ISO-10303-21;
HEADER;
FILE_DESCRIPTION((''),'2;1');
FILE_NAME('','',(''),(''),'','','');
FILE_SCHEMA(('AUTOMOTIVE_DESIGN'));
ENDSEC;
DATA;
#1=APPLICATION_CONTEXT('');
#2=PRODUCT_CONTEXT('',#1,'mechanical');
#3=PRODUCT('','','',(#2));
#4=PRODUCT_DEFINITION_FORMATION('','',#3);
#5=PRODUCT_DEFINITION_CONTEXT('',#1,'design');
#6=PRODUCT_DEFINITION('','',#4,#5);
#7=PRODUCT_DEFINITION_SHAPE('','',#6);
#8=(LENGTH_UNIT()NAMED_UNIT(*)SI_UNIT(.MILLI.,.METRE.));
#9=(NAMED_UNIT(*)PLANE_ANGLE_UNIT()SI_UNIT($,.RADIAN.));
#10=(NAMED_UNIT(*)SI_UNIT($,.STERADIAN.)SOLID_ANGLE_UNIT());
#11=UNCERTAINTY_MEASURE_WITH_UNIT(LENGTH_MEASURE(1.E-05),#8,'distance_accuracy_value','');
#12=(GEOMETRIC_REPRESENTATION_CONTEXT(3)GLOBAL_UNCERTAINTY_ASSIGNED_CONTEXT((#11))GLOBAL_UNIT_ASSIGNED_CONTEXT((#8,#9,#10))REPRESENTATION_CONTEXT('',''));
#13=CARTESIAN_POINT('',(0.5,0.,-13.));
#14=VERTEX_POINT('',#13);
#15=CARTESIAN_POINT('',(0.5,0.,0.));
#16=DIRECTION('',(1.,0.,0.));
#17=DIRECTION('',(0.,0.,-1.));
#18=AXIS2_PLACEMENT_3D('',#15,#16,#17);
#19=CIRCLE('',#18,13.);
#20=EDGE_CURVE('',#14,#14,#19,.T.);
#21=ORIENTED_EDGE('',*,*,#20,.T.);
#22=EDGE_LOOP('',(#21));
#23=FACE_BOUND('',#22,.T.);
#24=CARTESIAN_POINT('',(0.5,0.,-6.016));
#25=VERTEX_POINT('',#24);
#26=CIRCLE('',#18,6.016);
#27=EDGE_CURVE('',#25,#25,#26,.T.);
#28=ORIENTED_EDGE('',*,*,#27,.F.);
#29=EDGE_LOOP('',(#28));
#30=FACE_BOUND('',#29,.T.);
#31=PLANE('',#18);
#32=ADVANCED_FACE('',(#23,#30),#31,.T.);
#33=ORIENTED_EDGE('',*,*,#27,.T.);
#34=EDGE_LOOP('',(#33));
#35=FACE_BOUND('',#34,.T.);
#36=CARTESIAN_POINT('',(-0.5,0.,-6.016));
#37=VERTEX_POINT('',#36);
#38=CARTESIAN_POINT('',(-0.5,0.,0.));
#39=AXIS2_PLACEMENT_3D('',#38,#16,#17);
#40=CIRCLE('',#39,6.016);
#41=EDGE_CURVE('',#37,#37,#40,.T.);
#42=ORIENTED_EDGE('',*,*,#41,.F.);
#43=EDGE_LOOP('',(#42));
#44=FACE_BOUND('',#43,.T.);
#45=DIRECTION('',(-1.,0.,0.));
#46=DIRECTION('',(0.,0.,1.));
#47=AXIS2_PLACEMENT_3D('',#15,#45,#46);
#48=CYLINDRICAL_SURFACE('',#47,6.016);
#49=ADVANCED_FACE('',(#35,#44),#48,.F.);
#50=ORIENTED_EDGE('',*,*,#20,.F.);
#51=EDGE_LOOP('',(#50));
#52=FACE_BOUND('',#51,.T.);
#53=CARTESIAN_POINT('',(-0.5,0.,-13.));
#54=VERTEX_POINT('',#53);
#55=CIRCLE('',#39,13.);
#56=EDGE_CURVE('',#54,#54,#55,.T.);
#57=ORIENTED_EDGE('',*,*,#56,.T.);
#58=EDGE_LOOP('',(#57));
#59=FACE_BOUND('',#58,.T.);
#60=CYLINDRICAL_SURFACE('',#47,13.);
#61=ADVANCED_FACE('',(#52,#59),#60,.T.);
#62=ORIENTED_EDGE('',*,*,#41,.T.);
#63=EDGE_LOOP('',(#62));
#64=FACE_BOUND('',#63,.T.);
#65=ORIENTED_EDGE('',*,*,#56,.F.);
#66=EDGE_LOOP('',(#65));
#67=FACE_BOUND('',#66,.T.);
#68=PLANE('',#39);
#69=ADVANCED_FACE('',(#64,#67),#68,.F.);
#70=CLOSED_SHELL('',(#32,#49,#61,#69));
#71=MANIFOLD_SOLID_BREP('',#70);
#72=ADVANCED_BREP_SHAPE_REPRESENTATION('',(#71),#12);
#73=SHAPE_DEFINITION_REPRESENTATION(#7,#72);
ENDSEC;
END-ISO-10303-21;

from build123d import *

# Parameters (mm, degrees)
BOSS_EXTRUDE1_DEPTH      = 0.5
BOSS_EXTRUDE1_DEPTH_BACK = 0.5
SKETCH3_R                = 13
SKETCH3_R_2              = 6.016


with BuildPart() as part:
    # Sketch3 → Boss-Extrude1 (new, two sides: drawn at the far end of the back side and taken through both)
    with BuildSketch(Plane(origin=(0, 0, 0), x_dir=(0, 0, -1), z_dir=(1, 0, 0)).offset(-BOSS_EXTRUDE1_DEPTH_BACK)):
        Circle(SKETCH3_R)
        Circle(SKETCH3_R_2, mode=Mode.SUBTRACT)
    extrude(amount=BOSS_EXTRUDE1_DEPTH + BOSS_EXTRUDE1_DEPTH_BACK)


solid = part.part
